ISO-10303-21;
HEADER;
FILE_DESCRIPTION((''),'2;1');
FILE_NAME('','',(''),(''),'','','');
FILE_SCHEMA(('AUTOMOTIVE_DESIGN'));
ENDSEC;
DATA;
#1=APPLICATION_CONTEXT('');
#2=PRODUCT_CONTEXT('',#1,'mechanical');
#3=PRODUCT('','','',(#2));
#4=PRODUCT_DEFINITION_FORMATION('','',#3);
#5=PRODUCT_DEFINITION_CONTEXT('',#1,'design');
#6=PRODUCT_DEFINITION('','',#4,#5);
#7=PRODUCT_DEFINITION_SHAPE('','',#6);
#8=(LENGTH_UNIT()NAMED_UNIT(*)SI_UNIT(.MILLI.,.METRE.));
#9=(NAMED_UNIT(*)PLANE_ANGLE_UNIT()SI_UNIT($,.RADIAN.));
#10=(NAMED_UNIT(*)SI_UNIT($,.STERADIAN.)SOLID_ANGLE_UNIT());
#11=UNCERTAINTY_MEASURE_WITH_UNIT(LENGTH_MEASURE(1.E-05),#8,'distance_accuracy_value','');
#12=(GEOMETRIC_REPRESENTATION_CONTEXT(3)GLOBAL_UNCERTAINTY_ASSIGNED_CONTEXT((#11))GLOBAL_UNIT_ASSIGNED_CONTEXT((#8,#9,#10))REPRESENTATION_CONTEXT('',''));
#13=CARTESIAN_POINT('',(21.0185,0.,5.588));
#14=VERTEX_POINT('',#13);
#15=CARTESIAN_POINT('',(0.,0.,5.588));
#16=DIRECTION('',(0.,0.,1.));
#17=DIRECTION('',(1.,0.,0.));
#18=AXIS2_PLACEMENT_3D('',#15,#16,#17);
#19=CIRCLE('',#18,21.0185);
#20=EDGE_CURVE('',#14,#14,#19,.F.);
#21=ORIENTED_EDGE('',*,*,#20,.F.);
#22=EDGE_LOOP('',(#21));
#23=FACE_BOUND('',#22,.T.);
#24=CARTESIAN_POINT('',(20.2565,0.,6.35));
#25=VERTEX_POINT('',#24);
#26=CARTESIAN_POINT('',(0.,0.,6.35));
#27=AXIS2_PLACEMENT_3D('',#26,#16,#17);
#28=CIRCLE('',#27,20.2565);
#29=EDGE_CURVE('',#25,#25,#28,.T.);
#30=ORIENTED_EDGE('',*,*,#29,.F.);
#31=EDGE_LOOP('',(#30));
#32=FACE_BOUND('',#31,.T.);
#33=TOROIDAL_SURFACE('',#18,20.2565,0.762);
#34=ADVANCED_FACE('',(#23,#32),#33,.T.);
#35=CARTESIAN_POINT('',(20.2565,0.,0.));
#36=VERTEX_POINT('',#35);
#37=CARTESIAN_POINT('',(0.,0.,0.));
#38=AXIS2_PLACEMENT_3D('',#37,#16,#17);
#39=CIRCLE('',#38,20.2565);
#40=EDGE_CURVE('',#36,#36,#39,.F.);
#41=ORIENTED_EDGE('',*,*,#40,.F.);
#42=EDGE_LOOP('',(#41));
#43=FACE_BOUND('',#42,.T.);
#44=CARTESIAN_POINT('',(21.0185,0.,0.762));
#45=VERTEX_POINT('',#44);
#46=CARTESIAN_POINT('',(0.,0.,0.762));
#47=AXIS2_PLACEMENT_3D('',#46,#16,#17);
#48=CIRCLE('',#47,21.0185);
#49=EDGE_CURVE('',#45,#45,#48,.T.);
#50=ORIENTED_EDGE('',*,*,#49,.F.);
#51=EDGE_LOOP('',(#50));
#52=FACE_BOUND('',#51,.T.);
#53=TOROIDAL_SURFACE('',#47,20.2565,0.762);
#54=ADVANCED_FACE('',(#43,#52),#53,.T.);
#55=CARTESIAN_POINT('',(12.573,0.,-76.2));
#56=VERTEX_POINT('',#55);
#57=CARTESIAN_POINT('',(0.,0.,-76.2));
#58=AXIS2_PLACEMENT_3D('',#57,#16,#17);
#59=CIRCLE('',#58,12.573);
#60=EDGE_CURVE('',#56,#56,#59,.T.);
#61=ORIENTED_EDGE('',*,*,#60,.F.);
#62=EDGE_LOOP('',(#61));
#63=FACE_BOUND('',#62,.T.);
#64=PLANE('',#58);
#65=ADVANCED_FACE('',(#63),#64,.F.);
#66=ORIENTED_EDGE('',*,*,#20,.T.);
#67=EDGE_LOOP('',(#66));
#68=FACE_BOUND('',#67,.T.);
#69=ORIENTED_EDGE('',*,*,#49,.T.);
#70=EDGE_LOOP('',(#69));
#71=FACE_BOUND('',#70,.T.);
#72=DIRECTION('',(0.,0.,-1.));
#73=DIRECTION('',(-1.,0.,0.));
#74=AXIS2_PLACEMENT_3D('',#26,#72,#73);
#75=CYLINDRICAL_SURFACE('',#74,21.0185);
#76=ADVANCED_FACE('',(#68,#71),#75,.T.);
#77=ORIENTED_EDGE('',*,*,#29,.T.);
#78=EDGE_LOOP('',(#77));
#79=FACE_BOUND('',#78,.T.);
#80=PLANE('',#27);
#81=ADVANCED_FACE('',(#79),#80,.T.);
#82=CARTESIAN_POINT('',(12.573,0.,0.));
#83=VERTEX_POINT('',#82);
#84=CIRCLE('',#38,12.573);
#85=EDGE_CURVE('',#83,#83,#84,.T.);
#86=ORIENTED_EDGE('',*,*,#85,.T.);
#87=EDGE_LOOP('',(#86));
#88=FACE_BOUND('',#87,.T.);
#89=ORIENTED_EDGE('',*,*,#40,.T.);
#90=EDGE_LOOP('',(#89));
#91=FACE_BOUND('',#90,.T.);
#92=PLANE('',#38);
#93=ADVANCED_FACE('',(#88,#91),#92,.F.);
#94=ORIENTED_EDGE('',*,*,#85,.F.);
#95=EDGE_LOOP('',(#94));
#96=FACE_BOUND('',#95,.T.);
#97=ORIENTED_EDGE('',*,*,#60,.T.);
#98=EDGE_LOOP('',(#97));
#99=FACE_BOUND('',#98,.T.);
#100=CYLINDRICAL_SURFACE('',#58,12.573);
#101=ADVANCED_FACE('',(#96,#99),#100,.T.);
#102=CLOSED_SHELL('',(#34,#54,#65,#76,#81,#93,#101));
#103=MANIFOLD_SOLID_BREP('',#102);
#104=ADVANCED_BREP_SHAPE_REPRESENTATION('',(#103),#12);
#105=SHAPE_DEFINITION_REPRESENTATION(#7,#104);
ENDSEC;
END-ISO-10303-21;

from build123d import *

# Parameters (mm, degrees)
SKETCH1_R           = 12.573
BOSS_EXTRUDE1_DEPTH = 76.2
SKETCH2_R           = 21.0185
BOSS_EXTRUDE2_DEPTH = 6.35
FILLET1_R           = 0.762


with BuildPart() as part:
    # Sketch1 → Boss-Extrude1 (new body)
    with BuildSketch(Plane.XY):
        Circle(SKETCH1_R)
    extrude(amount=-BOSS_EXTRUDE1_DEPTH)

    # Sketch2 → Boss-Extrude2 (add)
    with BuildSketch(Plane.XY):
        Circle(SKETCH2_R)
    extrude(amount=BOSS_EXTRUDE2_DEPTH)

    # Fillet1
    fillet1_edges = [part.edges().sort_by_distance(p)[0] for p in [
        (-21.0185, 0, 0),
        (-21.0185, 0, 6.35),
    ]]
    fillet(fillet1_edges, radius=FILLET1_R)


solid = part.part
